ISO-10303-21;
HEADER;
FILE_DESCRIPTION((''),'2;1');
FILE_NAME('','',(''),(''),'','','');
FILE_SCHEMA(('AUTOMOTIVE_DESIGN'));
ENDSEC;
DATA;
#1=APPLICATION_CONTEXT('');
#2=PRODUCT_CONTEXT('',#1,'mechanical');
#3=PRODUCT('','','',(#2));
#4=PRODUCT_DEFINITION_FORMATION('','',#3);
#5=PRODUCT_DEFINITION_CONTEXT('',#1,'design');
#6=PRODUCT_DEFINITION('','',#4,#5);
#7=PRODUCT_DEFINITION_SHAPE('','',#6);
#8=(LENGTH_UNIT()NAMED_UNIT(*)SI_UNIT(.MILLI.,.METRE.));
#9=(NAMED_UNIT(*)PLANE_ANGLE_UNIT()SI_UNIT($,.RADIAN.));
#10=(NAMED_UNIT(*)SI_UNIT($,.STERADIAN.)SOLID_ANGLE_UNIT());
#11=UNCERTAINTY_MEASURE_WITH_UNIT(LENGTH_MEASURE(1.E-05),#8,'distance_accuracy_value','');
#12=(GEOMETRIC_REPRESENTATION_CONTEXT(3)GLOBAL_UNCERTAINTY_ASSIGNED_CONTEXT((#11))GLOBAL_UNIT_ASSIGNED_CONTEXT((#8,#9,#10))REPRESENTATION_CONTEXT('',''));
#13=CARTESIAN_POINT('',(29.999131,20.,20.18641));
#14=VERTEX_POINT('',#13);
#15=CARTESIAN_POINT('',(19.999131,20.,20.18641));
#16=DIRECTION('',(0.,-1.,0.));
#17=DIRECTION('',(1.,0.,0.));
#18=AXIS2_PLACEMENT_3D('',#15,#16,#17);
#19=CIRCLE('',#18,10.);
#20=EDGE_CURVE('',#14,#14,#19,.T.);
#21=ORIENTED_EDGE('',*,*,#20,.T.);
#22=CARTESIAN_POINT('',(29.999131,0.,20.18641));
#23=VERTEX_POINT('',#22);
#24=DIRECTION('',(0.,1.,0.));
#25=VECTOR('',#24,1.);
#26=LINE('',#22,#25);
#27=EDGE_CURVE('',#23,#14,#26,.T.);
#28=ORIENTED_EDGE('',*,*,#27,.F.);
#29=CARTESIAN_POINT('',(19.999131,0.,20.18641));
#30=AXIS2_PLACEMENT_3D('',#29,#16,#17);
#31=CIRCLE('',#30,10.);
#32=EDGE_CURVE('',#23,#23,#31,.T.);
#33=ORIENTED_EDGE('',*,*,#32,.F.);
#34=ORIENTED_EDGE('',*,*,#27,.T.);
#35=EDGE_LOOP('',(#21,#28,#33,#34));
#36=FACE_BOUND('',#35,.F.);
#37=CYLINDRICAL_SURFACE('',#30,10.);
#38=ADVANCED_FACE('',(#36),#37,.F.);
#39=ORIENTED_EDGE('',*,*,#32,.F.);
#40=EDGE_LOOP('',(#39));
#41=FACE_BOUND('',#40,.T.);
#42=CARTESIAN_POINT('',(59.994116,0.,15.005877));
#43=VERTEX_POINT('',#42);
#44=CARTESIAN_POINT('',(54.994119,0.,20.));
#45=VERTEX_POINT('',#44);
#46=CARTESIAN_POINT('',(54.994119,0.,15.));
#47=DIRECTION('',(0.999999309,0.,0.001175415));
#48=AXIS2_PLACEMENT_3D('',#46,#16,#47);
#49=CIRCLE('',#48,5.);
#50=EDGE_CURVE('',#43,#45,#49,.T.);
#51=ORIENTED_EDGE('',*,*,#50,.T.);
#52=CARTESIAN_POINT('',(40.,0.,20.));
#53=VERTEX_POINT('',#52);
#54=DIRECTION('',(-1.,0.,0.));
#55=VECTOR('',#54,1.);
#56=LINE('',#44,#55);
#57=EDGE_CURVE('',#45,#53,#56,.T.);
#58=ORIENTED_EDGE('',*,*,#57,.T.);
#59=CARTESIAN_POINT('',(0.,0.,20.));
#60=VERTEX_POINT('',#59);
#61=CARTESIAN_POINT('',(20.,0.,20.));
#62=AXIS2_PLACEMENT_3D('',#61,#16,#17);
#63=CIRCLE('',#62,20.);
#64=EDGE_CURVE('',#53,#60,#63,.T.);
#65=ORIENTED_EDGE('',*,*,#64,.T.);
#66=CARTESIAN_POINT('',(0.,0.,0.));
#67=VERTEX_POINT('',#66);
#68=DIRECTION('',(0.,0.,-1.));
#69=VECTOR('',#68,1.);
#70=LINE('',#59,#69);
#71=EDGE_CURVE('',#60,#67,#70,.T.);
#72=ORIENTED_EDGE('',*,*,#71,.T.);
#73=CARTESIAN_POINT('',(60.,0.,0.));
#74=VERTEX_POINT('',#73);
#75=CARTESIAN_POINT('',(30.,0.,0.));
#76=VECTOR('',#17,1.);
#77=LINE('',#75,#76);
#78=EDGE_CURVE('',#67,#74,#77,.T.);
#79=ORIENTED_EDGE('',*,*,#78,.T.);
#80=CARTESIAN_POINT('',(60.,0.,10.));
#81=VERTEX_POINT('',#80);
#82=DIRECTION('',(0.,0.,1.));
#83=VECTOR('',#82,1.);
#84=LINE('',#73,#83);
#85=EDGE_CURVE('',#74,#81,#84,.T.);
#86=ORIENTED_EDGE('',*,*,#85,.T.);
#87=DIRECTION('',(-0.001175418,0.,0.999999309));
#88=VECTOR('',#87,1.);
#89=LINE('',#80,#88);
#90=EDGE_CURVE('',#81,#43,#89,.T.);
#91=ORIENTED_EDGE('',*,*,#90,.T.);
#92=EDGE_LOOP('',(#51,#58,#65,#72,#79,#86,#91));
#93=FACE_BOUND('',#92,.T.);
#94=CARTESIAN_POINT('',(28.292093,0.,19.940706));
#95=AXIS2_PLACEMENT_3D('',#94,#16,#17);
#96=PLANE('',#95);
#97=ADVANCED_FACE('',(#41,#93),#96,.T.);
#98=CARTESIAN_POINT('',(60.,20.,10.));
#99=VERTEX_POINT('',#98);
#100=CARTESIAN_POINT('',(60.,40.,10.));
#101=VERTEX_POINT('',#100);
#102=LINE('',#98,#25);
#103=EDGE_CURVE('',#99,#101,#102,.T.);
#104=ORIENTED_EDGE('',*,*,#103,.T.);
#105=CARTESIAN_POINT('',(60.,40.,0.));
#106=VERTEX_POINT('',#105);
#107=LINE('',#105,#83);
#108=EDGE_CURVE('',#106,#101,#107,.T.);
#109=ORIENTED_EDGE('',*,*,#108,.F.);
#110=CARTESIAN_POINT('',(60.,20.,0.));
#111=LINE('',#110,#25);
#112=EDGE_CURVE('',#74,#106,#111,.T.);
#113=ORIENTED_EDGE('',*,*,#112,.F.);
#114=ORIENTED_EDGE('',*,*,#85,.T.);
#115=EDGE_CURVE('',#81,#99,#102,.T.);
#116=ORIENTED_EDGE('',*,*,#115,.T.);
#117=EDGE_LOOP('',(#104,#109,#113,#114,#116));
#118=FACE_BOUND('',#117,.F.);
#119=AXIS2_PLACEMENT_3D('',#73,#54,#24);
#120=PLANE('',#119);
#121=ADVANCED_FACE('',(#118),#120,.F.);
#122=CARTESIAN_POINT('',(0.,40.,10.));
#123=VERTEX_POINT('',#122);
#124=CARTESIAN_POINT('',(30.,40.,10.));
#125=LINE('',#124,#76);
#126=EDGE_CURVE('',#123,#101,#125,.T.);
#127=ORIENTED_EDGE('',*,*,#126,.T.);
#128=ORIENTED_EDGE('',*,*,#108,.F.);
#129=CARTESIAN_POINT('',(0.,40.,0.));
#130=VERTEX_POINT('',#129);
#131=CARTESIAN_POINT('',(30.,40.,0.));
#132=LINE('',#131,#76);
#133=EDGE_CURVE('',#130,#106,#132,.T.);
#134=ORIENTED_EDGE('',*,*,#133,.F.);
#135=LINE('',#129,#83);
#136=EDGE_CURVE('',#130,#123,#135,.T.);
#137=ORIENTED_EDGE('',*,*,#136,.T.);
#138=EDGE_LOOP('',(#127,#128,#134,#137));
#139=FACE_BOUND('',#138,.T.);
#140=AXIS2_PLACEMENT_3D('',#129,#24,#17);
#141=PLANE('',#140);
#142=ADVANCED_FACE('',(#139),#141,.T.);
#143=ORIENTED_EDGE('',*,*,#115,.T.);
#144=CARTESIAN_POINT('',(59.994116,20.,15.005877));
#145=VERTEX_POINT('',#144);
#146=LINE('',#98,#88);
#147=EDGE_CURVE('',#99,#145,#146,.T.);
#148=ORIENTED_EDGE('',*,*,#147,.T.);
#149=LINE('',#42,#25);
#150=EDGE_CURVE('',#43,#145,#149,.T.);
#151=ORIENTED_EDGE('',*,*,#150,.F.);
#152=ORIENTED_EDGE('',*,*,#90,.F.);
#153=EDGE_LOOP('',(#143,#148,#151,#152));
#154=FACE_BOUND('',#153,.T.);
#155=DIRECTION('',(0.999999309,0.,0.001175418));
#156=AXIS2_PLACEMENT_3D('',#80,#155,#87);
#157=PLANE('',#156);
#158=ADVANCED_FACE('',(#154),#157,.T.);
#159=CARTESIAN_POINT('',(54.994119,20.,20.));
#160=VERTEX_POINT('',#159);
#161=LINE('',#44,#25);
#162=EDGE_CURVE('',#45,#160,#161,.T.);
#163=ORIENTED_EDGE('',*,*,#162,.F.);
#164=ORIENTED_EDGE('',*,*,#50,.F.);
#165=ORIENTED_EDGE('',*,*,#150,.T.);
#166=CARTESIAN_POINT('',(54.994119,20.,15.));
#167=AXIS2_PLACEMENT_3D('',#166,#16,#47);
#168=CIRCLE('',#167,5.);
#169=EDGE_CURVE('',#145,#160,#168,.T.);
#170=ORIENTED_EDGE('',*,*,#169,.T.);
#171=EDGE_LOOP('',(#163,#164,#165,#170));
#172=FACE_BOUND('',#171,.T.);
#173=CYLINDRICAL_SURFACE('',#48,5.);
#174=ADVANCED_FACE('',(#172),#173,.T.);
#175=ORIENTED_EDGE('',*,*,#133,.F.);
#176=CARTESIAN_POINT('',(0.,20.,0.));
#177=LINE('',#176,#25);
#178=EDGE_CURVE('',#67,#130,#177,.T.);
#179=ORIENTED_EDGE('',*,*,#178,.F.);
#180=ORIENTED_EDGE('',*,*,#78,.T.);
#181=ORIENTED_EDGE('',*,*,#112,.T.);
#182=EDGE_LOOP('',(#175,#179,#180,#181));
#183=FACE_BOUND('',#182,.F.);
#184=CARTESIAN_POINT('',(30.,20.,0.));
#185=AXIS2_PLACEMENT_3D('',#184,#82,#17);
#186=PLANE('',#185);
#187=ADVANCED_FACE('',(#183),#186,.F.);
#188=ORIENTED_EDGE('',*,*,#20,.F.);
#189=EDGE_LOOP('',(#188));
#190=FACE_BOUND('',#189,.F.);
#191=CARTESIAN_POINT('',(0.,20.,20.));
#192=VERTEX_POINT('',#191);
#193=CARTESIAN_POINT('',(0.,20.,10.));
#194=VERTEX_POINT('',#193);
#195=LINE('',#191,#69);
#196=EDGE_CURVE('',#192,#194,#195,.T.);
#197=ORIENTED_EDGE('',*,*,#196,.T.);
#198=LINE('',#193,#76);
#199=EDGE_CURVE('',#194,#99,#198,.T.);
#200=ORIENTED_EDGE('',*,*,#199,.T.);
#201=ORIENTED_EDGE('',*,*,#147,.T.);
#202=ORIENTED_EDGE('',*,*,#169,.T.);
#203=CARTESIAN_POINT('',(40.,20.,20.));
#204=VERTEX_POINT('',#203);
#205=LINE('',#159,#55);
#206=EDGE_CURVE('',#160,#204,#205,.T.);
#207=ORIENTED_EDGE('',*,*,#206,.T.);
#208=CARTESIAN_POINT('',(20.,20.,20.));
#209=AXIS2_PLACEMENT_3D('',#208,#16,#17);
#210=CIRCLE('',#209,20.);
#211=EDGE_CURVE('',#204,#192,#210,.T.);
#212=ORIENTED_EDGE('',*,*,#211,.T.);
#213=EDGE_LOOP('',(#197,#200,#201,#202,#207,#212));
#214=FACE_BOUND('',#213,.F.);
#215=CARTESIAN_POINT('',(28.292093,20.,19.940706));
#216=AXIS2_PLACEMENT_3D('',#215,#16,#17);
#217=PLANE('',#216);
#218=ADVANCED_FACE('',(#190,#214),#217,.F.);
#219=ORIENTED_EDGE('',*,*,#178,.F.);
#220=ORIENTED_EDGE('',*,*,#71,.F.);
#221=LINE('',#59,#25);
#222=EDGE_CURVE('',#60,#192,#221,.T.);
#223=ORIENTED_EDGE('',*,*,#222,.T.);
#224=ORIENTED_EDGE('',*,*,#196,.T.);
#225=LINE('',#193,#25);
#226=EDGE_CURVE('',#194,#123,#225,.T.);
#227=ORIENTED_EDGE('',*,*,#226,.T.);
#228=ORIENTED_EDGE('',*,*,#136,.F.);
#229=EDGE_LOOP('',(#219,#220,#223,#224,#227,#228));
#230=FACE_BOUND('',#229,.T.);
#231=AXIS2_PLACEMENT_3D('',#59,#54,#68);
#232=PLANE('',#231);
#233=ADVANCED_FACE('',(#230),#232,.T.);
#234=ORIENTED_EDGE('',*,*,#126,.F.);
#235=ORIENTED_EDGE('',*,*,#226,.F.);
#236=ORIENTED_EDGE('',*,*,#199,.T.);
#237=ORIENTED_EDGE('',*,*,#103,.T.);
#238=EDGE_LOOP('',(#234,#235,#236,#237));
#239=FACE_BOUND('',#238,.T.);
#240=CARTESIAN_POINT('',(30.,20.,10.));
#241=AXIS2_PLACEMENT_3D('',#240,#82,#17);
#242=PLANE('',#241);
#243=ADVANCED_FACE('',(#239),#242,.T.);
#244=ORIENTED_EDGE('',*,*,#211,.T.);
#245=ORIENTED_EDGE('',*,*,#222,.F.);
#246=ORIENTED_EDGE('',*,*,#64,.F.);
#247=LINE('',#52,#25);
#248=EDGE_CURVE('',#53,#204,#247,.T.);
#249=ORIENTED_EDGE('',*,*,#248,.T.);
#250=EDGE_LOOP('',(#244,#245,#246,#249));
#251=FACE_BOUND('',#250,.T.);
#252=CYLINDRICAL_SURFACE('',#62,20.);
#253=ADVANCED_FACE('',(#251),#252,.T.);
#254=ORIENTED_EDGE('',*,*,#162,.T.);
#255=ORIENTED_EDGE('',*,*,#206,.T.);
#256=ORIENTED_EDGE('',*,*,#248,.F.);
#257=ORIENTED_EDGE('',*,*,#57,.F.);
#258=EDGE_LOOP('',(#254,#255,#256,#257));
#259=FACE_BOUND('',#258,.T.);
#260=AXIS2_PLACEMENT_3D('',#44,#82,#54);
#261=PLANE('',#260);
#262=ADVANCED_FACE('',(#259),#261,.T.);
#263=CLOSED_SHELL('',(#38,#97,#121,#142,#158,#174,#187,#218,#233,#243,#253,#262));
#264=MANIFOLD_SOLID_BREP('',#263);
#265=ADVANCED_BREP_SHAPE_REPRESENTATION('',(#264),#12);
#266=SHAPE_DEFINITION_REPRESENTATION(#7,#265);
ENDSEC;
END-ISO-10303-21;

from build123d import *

# Parameters (mm, degrees)
F0_W     = 60
F0_H     = 40
F1_DEPTH = 10
F3_DEPTH = 20
F4_R     = 10
F5_DEPTH = 25


with BuildPart() as f1:
    # F0 (on Top) → F1 (new body)
    with BuildSketch(Plane.XY):
        with Locations((30, 20)):
            Rectangle(F0_W, F0_H)
    extrude(amount=F1_DEPTH)

    # F2 (on face) → F3 (join)
    with BuildSketch(Plane.XZ):
        with BuildLine():
            Line((54.994119, 20), (40, 20))
            ThreePointArc((40, 20), (20, 40), (0, 20))
            Line((0, 20), (0, 10))
            Line((0, 10), (60, 10))
            Line((60, 10), (59.994116, 15.005877))
            ThreePointArc((59.994116, 15.005877), (58.527575, 18.537611), (54.994119, 20))
        make_face()
    extrude(amount=-F3_DEPTH)

    # F4 (on Front) → F5 (cut)
    with BuildSketch(Plane.XZ):
        with Locations((19.999131, 20.18641)):
            Circle(F4_R)
    extrude(amount=-F5_DEPTH, mode=Mode.SUBTRACT)


solid = f1.part
